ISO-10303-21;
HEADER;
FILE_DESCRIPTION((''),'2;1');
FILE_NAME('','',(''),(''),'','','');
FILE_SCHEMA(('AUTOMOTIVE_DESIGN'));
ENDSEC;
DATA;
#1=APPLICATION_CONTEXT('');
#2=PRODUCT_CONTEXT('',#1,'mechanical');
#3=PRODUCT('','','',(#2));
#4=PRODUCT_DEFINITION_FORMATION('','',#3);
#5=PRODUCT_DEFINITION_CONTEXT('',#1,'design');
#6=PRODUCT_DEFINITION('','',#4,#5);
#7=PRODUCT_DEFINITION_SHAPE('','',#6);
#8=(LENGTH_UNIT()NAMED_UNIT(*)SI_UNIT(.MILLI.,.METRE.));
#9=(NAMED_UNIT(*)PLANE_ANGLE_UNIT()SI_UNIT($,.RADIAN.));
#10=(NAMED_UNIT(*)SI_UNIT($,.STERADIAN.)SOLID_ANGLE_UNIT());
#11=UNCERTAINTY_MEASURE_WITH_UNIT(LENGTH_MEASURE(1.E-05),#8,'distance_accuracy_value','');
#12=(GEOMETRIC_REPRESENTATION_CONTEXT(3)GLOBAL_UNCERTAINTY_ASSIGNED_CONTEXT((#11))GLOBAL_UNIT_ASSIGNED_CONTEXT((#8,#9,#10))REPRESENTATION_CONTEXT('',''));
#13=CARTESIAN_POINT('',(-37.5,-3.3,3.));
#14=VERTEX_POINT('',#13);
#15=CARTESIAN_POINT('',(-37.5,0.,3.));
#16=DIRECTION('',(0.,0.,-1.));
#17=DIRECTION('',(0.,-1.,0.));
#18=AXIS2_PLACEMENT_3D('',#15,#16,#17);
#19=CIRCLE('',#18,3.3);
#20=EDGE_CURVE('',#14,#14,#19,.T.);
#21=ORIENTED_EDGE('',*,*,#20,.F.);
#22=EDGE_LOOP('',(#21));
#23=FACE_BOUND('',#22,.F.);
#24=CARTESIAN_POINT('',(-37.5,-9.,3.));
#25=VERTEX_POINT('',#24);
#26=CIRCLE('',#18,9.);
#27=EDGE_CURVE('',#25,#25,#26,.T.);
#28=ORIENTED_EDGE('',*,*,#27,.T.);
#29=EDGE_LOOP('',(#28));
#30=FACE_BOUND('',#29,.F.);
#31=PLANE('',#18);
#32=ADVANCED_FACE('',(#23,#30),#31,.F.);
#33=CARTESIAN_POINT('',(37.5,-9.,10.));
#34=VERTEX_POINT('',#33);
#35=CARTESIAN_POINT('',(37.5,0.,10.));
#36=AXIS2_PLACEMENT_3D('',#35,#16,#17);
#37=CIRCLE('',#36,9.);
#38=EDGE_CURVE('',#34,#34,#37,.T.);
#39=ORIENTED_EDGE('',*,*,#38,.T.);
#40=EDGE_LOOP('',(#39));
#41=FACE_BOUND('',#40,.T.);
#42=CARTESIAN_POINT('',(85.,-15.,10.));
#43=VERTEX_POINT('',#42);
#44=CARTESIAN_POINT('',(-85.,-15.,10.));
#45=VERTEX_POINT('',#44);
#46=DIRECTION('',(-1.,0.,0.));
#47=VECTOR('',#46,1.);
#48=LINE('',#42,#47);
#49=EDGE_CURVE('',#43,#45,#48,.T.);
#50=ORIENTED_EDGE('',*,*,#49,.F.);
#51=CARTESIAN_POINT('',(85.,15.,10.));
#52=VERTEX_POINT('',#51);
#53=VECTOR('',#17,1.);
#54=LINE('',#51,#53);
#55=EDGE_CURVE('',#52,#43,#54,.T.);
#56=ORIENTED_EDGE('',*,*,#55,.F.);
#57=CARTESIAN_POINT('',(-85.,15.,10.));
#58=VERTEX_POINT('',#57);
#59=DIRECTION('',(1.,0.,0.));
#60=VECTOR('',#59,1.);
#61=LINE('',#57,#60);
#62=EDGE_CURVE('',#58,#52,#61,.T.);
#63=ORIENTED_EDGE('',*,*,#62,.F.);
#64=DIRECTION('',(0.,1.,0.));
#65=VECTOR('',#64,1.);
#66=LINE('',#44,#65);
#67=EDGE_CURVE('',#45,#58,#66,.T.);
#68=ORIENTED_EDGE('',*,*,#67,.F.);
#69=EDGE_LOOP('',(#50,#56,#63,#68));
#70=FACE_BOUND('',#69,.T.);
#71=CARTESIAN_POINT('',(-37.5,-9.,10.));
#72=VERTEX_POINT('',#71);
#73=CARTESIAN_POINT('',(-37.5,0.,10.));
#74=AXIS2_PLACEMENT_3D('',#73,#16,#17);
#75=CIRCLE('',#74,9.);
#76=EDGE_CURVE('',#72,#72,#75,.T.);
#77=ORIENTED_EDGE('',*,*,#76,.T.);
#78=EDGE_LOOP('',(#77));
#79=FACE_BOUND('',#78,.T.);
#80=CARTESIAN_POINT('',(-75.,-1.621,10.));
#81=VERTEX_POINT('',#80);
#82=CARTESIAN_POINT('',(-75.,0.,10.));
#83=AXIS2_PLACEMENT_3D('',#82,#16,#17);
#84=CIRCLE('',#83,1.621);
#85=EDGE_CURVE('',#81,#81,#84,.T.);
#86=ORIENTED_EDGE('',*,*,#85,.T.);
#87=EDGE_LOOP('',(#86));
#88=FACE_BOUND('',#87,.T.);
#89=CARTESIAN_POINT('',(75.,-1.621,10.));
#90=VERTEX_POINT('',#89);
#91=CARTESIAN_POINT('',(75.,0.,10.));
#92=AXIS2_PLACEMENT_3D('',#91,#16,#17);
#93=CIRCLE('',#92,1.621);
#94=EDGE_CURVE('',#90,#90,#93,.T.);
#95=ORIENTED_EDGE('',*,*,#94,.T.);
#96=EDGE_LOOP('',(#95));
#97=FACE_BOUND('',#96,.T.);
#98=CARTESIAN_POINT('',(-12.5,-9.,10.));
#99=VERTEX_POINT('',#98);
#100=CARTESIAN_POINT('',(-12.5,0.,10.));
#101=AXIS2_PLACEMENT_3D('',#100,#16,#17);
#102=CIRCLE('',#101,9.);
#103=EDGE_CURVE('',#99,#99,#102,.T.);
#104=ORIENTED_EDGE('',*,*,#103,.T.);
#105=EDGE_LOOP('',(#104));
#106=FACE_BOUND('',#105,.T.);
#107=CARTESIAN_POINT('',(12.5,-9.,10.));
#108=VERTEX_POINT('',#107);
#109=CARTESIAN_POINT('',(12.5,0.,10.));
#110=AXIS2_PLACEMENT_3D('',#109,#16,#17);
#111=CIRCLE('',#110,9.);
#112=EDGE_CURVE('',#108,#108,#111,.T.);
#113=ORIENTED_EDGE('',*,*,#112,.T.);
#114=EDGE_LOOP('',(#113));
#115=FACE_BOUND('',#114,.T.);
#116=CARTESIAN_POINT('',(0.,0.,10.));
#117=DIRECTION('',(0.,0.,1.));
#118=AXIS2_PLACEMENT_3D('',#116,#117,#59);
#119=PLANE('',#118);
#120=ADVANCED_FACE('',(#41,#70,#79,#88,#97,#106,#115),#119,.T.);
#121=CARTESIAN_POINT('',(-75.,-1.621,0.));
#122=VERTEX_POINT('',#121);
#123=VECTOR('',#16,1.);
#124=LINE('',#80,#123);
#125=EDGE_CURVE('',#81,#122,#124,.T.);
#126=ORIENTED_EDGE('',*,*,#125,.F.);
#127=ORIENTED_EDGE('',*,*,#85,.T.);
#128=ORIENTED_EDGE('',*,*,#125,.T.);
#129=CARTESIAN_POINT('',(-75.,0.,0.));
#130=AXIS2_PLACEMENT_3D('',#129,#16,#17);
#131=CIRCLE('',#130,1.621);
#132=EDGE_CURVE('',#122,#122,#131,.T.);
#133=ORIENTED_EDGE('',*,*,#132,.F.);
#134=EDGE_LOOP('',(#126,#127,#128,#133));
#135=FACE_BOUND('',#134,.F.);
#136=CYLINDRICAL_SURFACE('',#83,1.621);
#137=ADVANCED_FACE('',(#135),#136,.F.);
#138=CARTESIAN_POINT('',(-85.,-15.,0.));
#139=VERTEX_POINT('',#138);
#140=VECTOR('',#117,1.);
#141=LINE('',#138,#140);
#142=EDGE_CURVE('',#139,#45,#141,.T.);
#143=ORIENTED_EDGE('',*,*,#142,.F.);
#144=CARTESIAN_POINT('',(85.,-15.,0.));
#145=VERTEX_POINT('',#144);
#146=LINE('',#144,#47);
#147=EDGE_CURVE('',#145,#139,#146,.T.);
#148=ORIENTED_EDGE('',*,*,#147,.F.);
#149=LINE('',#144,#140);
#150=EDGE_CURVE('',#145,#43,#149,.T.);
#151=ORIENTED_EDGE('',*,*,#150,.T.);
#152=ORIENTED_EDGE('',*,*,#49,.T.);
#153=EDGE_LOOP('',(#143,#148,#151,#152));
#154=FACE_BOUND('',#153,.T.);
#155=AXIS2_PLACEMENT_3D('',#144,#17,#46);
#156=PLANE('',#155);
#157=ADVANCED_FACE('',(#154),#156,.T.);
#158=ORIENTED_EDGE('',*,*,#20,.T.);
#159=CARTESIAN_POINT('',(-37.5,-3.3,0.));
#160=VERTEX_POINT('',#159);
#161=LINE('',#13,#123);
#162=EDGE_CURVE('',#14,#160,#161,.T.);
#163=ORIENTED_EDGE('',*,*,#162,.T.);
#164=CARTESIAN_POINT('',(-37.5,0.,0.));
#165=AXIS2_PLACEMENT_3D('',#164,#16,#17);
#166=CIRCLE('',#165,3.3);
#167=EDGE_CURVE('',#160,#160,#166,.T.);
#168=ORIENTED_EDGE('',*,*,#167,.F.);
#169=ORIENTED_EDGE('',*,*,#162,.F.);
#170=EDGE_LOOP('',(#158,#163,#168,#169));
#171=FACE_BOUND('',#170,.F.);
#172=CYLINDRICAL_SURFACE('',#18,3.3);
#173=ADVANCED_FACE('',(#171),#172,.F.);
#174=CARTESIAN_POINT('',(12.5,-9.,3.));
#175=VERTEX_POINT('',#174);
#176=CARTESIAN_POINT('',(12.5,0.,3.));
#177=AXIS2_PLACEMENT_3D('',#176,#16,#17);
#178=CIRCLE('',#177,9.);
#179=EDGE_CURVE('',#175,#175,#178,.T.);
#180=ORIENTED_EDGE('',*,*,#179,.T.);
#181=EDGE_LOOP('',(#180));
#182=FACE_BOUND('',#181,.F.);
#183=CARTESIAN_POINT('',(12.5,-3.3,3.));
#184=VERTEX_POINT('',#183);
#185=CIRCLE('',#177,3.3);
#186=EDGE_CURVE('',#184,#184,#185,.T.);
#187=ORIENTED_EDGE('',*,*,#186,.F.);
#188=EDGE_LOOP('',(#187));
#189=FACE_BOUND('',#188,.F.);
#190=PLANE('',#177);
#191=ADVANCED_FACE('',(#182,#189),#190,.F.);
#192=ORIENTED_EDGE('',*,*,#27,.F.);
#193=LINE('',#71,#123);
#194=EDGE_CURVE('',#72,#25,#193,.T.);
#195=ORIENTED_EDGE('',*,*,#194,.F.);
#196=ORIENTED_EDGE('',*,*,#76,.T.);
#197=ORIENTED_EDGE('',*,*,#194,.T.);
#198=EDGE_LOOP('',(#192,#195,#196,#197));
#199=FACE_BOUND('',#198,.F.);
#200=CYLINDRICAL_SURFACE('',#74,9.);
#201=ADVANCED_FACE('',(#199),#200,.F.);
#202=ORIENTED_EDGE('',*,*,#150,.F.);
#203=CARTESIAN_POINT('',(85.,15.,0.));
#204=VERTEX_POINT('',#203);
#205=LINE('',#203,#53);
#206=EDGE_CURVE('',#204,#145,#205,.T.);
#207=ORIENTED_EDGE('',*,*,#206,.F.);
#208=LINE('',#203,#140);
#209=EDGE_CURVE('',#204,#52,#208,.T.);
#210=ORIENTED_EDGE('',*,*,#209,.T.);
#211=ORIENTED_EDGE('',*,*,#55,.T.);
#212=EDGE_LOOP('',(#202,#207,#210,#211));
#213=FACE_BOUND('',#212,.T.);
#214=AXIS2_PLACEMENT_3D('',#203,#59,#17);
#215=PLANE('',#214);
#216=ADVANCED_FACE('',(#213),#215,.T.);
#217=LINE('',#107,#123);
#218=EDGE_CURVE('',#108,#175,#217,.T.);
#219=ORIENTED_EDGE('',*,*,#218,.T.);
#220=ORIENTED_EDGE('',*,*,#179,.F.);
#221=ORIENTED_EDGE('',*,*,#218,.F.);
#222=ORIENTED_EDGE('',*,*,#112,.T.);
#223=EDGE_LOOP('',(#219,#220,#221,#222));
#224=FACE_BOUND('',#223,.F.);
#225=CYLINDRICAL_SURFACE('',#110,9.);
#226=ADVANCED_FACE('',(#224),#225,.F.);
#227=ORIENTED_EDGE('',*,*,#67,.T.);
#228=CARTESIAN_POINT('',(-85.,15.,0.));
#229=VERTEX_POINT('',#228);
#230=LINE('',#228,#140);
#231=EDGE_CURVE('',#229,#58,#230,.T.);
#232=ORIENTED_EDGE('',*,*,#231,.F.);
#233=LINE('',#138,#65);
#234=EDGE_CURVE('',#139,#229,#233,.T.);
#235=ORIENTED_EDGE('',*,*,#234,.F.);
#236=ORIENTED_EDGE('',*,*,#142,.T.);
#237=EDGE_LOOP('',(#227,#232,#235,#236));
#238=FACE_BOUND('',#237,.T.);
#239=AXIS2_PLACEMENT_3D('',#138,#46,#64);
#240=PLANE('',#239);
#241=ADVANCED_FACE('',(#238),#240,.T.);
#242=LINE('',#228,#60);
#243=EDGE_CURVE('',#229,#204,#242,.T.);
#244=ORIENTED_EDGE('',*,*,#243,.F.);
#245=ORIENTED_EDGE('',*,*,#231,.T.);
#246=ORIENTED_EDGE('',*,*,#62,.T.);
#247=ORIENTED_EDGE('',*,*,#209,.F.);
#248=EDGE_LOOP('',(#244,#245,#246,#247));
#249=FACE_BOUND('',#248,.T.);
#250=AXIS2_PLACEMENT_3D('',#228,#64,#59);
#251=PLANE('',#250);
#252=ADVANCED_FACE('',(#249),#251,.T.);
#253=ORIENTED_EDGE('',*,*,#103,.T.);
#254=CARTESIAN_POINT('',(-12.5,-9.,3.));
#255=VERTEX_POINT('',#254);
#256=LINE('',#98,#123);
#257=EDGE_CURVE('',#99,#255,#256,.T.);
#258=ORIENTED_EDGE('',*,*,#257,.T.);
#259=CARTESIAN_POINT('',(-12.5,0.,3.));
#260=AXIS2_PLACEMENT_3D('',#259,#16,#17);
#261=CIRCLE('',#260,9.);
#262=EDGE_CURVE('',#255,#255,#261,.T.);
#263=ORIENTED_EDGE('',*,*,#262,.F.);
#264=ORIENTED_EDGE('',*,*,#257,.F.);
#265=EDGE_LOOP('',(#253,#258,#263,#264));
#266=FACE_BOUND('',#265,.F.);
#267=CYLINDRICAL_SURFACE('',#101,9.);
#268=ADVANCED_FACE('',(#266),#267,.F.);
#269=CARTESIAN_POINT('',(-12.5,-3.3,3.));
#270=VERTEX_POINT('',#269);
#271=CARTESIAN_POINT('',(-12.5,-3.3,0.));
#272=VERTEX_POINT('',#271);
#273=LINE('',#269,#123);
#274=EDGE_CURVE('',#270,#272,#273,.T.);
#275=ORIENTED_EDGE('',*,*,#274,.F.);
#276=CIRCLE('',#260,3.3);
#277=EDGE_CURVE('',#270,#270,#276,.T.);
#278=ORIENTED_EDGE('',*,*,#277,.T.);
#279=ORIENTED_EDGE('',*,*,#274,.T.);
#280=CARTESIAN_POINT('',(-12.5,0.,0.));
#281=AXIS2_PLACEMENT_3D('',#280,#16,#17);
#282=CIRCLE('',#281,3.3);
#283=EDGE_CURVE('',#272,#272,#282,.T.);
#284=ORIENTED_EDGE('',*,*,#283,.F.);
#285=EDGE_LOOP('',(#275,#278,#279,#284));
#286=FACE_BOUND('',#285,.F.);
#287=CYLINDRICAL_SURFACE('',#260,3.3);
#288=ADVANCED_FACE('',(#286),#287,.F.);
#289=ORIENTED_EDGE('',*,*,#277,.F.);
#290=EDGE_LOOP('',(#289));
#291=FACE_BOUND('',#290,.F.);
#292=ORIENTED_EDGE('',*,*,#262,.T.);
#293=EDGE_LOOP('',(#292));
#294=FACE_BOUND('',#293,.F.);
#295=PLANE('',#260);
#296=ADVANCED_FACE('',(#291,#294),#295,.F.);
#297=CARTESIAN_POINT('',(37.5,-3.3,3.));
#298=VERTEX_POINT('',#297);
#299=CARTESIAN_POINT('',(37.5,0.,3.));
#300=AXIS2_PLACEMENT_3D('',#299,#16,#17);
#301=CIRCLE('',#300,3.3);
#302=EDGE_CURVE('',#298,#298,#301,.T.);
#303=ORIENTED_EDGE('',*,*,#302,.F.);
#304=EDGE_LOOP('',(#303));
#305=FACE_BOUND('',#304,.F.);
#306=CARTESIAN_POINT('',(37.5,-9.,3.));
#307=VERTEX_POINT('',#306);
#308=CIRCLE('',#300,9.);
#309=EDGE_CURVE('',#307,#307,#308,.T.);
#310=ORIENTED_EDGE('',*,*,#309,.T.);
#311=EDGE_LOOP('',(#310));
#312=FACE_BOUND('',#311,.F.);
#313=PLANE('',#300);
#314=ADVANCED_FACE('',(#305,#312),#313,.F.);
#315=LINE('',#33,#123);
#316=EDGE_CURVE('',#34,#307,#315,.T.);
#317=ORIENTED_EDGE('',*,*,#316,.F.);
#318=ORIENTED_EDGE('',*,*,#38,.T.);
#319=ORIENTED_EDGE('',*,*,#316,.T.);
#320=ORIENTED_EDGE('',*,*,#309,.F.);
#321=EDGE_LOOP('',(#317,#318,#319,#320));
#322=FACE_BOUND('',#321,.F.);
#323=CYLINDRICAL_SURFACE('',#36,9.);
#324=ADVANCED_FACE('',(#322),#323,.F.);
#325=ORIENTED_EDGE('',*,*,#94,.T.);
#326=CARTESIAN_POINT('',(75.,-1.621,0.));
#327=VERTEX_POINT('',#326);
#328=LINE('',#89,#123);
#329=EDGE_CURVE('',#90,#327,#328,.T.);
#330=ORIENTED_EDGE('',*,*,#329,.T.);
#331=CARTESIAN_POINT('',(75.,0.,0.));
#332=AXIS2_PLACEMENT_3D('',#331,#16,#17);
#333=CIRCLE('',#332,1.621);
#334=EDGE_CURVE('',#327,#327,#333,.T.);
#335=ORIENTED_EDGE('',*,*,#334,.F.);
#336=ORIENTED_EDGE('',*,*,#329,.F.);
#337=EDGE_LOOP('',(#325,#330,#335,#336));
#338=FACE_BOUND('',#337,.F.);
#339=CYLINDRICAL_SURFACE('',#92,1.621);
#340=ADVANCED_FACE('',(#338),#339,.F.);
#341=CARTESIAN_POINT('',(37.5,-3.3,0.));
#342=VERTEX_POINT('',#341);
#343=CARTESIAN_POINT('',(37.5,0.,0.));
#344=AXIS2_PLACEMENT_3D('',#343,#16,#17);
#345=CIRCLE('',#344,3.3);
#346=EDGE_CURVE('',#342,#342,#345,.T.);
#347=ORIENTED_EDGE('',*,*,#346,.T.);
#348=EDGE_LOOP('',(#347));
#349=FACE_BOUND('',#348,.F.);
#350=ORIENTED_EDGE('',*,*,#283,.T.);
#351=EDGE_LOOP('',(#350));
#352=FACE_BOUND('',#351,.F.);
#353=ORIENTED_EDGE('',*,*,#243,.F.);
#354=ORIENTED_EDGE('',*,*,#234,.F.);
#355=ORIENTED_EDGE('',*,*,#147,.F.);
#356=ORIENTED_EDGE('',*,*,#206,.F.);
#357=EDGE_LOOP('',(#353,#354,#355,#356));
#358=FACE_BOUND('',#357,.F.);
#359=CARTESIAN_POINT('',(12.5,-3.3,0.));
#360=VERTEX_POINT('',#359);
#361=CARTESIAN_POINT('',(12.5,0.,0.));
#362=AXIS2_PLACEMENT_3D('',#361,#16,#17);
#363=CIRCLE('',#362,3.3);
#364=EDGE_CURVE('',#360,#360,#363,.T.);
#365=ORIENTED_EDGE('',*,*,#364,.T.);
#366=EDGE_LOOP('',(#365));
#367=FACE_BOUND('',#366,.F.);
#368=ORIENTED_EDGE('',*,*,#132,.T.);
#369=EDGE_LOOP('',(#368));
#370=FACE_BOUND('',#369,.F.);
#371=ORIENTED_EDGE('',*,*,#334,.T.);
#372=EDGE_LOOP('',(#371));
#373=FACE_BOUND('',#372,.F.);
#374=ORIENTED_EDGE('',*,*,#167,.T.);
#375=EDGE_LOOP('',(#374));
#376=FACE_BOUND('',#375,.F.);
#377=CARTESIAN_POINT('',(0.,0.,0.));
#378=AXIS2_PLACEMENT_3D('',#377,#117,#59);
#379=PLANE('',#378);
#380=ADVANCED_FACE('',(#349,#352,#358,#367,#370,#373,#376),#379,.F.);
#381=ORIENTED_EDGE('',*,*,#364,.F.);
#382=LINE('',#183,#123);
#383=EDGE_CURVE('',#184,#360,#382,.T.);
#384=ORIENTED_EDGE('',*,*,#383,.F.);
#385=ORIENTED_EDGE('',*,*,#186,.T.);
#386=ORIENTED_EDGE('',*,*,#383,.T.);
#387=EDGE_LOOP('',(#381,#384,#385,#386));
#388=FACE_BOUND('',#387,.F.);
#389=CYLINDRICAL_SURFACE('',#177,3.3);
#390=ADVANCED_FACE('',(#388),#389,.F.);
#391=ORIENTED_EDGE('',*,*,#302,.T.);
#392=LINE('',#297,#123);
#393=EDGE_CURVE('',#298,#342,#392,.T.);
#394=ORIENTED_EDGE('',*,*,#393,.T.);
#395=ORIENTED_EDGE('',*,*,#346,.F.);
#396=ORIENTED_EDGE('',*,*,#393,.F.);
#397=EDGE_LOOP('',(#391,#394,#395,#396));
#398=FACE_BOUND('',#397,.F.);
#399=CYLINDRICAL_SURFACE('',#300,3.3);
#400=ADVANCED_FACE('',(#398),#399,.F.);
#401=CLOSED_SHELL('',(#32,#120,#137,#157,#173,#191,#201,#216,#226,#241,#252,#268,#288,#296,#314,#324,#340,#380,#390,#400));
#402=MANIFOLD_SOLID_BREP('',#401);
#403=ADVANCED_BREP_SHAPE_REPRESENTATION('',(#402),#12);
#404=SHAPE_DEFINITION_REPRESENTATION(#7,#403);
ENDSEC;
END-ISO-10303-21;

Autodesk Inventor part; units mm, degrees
ref_plane "YZ Plane" through (0, 0, 0) normal (1, 0, 0) x (0, 1, 0)
ref_plane "XZ Plane" through (0, 0, 0) normal (0, 1, 0) x (-1, 0, 0)
ref_plane "XY Plane" through (0, 0, 0) normal (0, 0, 1) x (1, 0, 0)
sketch "Sketch1" plane through (0, 0, 0) normal (0, 0, 1) x (1, 0, 0)
  line L0 (-85, 15) -> (85, 15)
  line L1 (85, 15) -> (85, -15)
  line L2 (85, -15) -> (-85, -15)
  line L3 (-85, -15) -> (-85, 15)
  point P0 (0, 0)
  dimension "d0" = 30
  dimension "d1" = 170
  dimension "d2" = 85
  dimension "d3" = 15
extrude "Extrusion1" add sketch "Sketch1" along normal blind 10
sketch "Sketch2" plane through (0, 0, 10) normal (0, 0, 1) x (1, 0, 0)
  point P0 (0, 0)
  point P1 (-37.5, 0)
  point P2 (-12.5, 0)
  point P3 (12.5, 0)
  point P4 (37.5, 0)
  dimension "d30" = 25
  dimension "d31" = 25
  dimension "d32" = 25
  dimension "d33" = 12.5
hole "Hole1" at (-37.5, 0, 10) at (-12.5, 0, 10) at (12.5, 0, 10) at (37.5, 0, 10) direction (0, 0, -1) diameter 6.6 end through all counterbore diameter 18 counterbore depth 7 clearance for "Hex Head Cap Screw ISO 24017" size "M6" standard "ISO"
sketch "Sketch3" plane through (0, 0, 10) normal (0, 0, 1) x (1, 0, 0)
  point P0 (0, 0)
  point P1 (75, 0)
  point P2 (-75, 0)
  dimension "d16" = 150
  dimension "d17" = 75
hole "Hole2" at (75, 0, 10) at (-75, 0, 10) direction (0, 0, -1) diameter 3.242 end through all thread size "M4x0.7" class "6H" standard "ISO Metric profile"
equation "\"d2\" = 0.5 * d1"
equation "\"d3\" = 0.5 * d0"
equation "\"d33\" = 0.5 * d31"
equation "\"d17\" = 0.5 * d16"
properties part number "zStackJackAttach_Oct2016"
